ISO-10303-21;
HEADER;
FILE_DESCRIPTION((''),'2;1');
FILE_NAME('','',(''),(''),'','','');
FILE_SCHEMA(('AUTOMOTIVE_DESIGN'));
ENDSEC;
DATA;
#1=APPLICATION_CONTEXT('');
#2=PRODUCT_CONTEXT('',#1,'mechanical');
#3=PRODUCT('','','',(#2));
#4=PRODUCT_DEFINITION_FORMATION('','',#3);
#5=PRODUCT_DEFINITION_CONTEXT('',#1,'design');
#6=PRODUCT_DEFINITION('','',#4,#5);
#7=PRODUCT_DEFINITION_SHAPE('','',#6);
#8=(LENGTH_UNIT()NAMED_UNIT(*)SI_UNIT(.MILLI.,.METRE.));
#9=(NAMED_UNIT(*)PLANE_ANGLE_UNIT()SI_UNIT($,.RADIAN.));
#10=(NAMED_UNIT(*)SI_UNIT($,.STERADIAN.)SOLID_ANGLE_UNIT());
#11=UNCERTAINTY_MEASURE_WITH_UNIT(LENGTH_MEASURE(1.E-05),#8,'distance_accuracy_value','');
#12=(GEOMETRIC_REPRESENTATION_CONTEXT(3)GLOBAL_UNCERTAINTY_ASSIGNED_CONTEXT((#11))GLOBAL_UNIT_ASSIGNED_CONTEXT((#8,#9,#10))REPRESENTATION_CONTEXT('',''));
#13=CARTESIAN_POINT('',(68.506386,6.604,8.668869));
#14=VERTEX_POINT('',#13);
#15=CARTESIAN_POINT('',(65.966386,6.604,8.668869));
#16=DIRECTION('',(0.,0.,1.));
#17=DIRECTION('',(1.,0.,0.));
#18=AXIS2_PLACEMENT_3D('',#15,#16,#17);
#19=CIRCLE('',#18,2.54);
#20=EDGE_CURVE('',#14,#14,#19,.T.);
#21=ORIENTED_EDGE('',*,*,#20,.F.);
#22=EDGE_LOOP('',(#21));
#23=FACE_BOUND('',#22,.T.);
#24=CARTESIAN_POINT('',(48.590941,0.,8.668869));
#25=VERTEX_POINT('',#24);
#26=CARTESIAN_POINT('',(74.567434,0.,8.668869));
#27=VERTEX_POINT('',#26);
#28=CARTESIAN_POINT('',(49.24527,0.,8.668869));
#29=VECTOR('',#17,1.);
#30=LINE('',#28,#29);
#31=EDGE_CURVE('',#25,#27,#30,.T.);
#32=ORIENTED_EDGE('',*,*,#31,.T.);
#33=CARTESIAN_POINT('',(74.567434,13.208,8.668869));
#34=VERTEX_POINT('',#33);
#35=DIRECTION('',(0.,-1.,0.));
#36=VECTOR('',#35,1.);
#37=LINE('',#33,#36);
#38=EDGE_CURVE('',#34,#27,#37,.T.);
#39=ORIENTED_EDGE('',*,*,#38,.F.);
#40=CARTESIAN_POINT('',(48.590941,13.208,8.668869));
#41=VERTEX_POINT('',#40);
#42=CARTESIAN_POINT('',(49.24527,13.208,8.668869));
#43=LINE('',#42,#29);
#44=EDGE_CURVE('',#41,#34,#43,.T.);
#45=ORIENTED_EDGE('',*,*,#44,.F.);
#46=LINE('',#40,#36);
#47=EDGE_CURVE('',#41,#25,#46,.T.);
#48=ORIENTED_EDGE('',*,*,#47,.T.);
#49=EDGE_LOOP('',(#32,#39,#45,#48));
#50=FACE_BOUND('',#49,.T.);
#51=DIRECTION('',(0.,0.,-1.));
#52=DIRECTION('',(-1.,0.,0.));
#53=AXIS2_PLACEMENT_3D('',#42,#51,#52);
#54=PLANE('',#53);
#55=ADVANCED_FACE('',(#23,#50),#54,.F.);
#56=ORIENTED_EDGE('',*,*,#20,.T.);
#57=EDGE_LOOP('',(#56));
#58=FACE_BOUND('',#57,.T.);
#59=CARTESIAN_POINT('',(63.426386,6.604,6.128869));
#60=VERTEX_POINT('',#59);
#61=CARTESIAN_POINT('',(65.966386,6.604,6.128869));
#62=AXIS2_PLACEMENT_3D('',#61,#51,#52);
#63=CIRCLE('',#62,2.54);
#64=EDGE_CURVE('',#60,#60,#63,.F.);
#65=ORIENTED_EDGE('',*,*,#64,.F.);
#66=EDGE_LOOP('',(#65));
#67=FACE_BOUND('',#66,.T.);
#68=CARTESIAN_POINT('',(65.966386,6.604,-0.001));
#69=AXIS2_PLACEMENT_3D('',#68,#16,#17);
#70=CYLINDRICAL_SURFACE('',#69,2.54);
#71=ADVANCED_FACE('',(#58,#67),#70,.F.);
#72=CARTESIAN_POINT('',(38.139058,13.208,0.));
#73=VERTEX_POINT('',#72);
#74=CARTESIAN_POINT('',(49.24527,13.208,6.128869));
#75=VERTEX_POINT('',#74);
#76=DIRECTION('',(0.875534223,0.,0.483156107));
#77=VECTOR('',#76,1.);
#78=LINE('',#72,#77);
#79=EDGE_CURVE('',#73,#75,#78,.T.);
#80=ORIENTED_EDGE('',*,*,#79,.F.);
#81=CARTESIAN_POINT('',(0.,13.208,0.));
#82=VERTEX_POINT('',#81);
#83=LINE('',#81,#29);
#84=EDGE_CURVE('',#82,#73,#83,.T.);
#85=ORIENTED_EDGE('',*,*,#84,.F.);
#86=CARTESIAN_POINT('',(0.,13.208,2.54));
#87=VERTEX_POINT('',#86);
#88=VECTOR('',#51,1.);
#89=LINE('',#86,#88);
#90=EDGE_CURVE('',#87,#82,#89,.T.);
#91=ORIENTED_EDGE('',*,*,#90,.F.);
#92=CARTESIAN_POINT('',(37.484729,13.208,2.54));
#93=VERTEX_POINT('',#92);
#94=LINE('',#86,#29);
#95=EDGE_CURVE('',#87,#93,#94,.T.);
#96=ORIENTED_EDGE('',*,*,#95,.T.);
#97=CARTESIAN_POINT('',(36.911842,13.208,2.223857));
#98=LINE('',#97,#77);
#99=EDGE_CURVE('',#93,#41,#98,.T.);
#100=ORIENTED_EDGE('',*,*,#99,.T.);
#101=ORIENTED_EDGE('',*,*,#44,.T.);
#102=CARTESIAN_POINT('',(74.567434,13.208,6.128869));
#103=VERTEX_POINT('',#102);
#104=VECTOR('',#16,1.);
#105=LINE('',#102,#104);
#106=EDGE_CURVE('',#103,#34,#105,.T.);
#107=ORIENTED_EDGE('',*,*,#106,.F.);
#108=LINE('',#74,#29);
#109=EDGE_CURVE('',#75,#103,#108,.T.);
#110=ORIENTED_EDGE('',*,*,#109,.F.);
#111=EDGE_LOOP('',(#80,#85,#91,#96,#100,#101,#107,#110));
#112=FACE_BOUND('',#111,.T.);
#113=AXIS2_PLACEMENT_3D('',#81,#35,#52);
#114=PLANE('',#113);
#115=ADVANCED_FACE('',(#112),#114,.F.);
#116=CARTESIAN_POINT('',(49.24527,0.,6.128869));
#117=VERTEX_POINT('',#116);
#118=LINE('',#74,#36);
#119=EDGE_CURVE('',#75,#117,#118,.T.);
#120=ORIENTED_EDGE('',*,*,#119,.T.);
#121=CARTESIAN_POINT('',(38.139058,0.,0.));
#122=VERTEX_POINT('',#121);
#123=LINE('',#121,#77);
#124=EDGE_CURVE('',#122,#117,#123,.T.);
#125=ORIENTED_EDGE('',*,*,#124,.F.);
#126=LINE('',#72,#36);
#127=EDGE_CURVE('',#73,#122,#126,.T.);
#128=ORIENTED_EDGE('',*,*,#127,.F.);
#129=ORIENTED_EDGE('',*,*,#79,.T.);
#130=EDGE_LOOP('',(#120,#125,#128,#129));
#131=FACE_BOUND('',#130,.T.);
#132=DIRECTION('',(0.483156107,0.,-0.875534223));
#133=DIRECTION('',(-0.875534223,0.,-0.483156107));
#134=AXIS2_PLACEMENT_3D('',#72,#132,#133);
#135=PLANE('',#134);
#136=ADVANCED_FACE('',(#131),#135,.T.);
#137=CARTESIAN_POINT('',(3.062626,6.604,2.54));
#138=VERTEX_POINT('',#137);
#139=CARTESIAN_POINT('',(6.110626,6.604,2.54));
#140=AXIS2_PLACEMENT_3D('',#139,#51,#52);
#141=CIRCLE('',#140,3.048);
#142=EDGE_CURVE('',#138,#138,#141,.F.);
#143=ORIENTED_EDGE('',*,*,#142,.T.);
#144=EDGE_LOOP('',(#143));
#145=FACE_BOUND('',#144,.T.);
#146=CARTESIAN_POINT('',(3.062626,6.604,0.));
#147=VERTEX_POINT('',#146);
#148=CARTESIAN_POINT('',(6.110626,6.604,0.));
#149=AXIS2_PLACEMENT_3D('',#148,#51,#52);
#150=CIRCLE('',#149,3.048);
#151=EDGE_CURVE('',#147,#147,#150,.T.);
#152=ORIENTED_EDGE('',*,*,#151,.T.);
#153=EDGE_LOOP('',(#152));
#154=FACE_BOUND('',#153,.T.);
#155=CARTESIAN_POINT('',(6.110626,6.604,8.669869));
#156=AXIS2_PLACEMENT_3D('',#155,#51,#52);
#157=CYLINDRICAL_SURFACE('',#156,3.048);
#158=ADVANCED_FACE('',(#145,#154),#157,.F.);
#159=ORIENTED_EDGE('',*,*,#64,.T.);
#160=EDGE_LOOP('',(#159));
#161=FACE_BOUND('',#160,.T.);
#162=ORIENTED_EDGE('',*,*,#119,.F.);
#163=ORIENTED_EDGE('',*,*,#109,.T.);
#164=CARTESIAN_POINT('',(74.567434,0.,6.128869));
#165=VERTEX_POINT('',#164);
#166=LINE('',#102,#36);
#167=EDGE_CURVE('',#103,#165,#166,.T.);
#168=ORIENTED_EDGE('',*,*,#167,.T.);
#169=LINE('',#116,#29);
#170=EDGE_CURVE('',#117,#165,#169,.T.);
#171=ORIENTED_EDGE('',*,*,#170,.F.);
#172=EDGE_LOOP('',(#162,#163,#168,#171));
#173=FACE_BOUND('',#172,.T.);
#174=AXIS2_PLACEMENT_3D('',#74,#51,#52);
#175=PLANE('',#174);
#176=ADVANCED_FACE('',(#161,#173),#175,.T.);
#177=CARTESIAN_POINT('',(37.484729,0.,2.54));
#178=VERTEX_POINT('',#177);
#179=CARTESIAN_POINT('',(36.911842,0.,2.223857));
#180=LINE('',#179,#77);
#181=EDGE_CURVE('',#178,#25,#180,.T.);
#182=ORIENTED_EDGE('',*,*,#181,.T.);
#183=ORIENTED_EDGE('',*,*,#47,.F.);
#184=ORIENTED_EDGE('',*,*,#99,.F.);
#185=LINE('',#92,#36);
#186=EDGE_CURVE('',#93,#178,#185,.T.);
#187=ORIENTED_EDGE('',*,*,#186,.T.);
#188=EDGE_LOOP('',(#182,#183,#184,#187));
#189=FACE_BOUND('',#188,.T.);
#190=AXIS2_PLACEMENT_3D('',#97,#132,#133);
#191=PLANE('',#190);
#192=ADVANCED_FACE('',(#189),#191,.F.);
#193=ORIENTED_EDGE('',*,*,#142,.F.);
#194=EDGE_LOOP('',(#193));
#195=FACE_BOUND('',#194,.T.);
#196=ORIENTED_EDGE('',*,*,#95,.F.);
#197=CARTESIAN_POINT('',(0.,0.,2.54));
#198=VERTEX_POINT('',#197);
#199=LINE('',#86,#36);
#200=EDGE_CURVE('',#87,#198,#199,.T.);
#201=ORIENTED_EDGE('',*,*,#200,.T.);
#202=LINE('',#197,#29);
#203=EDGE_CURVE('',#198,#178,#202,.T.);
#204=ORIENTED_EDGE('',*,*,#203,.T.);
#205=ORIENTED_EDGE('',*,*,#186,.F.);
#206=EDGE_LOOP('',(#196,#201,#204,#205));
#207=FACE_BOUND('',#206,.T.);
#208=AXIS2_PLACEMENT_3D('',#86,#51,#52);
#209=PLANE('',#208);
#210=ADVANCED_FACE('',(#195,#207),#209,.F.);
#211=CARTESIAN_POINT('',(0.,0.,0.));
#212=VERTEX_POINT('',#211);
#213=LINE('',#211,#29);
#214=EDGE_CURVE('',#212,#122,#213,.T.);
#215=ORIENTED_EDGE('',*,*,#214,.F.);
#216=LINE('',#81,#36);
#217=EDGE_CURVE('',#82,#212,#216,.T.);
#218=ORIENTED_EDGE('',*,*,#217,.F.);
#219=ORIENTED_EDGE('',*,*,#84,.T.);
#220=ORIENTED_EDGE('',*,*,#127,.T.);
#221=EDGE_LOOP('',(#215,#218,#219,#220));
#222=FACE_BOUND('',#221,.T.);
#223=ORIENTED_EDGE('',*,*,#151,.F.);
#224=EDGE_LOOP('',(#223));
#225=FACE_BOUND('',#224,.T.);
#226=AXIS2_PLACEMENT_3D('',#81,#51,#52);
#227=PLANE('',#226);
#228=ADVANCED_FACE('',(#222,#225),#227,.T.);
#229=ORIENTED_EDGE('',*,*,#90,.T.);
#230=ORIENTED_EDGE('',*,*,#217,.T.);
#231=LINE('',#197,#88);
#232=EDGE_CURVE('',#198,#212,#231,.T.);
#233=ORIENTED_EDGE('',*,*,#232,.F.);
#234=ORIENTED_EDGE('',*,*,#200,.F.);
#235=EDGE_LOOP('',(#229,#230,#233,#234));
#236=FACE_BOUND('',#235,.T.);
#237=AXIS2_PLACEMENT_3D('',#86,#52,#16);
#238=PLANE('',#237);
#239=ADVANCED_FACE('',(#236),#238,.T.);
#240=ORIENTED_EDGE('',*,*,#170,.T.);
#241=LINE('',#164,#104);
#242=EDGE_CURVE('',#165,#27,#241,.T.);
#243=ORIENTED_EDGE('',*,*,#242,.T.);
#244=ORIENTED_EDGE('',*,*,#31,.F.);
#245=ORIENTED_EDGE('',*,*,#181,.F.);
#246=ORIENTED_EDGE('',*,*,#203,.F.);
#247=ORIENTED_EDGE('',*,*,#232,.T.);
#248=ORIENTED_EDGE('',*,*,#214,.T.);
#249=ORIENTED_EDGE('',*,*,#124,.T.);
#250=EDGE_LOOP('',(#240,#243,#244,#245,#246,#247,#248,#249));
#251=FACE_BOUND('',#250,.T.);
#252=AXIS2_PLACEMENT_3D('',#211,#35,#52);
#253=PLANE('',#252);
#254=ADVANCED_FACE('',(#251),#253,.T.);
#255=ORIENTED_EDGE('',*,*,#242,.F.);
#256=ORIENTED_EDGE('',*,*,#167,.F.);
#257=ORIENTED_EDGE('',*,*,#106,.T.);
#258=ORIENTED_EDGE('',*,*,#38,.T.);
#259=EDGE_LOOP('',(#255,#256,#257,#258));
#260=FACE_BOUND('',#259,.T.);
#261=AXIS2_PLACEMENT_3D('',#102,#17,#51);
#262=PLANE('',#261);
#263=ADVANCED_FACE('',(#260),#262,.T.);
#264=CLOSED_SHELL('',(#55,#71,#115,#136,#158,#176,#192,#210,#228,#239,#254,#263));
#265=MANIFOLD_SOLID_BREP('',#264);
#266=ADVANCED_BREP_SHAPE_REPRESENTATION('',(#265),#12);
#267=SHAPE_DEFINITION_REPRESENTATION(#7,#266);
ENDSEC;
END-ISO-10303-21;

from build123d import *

# Parameters (mm, degrees)
EXTRUDE_THIN1_DEPTH = 13.208
CUT_EXTRUDE1_REACH  = 10.669
SKETCH3_R           = 3.048
CUT_EXTRUDE2_REACH  = 10.669
SKETCH4_R           = 2.54


with BuildPart() as part:
    # Sketch1 → Extrude-Thin1 (new body)
    with BuildSketch(Plane(origin=(0, 0, 0), x_dir=(1, 0, 0), z_dir=(0, 1, 0))):
        Polygon((0, 0), (38.139058105, 0), (49.245270394, -6.128868698), (74.567434413, -6.128868698), (74.567434413, -8.668868698), (48.590941352, -8.668868698), (37.484729063, -2.54), (0, -2.54), align=None)
    extrude(amount=EXTRUDE_THIN1_DEPTH)

    # Sketch3 → Cut-Extrude1 (cut, up to next)
    with BuildSketch(Plane(origin=(0, 0, 0), x_dir=(-1, 0, 0), z_dir=(0, 0, -1)), mode=Mode.PRIVATE) as cut_extrude1_sk1:
        with Locations((-6.110625798, 6.604)):
            Circle(SKETCH3_R)
    cut_extrude1_tool1 = extrude(cut_extrude1_sk1.sketch, amount=-CUT_EXTRUDE1_REACH, mode=Mode.PRIVATE) & part.part
    add(cut_extrude1_tool1.solids().sort_by_distance((6.110626, 6.604, 0))[0], mode=Mode.SUBTRACT)

    # Sketch4 → Cut-Extrude2 (cut, up to next)
    with BuildSketch(Plane.XY.offset(8.668868698), mode=Mode.PRIVATE) as cut_extrude2_sk1:
        with Locations((65.966386127, 6.604)):
            Circle(SKETCH4_R)
    cut_extrude2_tool1 = extrude(cut_extrude2_sk1.sketch, amount=-CUT_EXTRUDE2_REACH, mode=Mode.PRIVATE) & part.part
    add(cut_extrude2_tool1.solids().sort_by_distance((65.966386, 6.604, 8.668869))[0], mode=Mode.SUBTRACT)


solid = part.part
